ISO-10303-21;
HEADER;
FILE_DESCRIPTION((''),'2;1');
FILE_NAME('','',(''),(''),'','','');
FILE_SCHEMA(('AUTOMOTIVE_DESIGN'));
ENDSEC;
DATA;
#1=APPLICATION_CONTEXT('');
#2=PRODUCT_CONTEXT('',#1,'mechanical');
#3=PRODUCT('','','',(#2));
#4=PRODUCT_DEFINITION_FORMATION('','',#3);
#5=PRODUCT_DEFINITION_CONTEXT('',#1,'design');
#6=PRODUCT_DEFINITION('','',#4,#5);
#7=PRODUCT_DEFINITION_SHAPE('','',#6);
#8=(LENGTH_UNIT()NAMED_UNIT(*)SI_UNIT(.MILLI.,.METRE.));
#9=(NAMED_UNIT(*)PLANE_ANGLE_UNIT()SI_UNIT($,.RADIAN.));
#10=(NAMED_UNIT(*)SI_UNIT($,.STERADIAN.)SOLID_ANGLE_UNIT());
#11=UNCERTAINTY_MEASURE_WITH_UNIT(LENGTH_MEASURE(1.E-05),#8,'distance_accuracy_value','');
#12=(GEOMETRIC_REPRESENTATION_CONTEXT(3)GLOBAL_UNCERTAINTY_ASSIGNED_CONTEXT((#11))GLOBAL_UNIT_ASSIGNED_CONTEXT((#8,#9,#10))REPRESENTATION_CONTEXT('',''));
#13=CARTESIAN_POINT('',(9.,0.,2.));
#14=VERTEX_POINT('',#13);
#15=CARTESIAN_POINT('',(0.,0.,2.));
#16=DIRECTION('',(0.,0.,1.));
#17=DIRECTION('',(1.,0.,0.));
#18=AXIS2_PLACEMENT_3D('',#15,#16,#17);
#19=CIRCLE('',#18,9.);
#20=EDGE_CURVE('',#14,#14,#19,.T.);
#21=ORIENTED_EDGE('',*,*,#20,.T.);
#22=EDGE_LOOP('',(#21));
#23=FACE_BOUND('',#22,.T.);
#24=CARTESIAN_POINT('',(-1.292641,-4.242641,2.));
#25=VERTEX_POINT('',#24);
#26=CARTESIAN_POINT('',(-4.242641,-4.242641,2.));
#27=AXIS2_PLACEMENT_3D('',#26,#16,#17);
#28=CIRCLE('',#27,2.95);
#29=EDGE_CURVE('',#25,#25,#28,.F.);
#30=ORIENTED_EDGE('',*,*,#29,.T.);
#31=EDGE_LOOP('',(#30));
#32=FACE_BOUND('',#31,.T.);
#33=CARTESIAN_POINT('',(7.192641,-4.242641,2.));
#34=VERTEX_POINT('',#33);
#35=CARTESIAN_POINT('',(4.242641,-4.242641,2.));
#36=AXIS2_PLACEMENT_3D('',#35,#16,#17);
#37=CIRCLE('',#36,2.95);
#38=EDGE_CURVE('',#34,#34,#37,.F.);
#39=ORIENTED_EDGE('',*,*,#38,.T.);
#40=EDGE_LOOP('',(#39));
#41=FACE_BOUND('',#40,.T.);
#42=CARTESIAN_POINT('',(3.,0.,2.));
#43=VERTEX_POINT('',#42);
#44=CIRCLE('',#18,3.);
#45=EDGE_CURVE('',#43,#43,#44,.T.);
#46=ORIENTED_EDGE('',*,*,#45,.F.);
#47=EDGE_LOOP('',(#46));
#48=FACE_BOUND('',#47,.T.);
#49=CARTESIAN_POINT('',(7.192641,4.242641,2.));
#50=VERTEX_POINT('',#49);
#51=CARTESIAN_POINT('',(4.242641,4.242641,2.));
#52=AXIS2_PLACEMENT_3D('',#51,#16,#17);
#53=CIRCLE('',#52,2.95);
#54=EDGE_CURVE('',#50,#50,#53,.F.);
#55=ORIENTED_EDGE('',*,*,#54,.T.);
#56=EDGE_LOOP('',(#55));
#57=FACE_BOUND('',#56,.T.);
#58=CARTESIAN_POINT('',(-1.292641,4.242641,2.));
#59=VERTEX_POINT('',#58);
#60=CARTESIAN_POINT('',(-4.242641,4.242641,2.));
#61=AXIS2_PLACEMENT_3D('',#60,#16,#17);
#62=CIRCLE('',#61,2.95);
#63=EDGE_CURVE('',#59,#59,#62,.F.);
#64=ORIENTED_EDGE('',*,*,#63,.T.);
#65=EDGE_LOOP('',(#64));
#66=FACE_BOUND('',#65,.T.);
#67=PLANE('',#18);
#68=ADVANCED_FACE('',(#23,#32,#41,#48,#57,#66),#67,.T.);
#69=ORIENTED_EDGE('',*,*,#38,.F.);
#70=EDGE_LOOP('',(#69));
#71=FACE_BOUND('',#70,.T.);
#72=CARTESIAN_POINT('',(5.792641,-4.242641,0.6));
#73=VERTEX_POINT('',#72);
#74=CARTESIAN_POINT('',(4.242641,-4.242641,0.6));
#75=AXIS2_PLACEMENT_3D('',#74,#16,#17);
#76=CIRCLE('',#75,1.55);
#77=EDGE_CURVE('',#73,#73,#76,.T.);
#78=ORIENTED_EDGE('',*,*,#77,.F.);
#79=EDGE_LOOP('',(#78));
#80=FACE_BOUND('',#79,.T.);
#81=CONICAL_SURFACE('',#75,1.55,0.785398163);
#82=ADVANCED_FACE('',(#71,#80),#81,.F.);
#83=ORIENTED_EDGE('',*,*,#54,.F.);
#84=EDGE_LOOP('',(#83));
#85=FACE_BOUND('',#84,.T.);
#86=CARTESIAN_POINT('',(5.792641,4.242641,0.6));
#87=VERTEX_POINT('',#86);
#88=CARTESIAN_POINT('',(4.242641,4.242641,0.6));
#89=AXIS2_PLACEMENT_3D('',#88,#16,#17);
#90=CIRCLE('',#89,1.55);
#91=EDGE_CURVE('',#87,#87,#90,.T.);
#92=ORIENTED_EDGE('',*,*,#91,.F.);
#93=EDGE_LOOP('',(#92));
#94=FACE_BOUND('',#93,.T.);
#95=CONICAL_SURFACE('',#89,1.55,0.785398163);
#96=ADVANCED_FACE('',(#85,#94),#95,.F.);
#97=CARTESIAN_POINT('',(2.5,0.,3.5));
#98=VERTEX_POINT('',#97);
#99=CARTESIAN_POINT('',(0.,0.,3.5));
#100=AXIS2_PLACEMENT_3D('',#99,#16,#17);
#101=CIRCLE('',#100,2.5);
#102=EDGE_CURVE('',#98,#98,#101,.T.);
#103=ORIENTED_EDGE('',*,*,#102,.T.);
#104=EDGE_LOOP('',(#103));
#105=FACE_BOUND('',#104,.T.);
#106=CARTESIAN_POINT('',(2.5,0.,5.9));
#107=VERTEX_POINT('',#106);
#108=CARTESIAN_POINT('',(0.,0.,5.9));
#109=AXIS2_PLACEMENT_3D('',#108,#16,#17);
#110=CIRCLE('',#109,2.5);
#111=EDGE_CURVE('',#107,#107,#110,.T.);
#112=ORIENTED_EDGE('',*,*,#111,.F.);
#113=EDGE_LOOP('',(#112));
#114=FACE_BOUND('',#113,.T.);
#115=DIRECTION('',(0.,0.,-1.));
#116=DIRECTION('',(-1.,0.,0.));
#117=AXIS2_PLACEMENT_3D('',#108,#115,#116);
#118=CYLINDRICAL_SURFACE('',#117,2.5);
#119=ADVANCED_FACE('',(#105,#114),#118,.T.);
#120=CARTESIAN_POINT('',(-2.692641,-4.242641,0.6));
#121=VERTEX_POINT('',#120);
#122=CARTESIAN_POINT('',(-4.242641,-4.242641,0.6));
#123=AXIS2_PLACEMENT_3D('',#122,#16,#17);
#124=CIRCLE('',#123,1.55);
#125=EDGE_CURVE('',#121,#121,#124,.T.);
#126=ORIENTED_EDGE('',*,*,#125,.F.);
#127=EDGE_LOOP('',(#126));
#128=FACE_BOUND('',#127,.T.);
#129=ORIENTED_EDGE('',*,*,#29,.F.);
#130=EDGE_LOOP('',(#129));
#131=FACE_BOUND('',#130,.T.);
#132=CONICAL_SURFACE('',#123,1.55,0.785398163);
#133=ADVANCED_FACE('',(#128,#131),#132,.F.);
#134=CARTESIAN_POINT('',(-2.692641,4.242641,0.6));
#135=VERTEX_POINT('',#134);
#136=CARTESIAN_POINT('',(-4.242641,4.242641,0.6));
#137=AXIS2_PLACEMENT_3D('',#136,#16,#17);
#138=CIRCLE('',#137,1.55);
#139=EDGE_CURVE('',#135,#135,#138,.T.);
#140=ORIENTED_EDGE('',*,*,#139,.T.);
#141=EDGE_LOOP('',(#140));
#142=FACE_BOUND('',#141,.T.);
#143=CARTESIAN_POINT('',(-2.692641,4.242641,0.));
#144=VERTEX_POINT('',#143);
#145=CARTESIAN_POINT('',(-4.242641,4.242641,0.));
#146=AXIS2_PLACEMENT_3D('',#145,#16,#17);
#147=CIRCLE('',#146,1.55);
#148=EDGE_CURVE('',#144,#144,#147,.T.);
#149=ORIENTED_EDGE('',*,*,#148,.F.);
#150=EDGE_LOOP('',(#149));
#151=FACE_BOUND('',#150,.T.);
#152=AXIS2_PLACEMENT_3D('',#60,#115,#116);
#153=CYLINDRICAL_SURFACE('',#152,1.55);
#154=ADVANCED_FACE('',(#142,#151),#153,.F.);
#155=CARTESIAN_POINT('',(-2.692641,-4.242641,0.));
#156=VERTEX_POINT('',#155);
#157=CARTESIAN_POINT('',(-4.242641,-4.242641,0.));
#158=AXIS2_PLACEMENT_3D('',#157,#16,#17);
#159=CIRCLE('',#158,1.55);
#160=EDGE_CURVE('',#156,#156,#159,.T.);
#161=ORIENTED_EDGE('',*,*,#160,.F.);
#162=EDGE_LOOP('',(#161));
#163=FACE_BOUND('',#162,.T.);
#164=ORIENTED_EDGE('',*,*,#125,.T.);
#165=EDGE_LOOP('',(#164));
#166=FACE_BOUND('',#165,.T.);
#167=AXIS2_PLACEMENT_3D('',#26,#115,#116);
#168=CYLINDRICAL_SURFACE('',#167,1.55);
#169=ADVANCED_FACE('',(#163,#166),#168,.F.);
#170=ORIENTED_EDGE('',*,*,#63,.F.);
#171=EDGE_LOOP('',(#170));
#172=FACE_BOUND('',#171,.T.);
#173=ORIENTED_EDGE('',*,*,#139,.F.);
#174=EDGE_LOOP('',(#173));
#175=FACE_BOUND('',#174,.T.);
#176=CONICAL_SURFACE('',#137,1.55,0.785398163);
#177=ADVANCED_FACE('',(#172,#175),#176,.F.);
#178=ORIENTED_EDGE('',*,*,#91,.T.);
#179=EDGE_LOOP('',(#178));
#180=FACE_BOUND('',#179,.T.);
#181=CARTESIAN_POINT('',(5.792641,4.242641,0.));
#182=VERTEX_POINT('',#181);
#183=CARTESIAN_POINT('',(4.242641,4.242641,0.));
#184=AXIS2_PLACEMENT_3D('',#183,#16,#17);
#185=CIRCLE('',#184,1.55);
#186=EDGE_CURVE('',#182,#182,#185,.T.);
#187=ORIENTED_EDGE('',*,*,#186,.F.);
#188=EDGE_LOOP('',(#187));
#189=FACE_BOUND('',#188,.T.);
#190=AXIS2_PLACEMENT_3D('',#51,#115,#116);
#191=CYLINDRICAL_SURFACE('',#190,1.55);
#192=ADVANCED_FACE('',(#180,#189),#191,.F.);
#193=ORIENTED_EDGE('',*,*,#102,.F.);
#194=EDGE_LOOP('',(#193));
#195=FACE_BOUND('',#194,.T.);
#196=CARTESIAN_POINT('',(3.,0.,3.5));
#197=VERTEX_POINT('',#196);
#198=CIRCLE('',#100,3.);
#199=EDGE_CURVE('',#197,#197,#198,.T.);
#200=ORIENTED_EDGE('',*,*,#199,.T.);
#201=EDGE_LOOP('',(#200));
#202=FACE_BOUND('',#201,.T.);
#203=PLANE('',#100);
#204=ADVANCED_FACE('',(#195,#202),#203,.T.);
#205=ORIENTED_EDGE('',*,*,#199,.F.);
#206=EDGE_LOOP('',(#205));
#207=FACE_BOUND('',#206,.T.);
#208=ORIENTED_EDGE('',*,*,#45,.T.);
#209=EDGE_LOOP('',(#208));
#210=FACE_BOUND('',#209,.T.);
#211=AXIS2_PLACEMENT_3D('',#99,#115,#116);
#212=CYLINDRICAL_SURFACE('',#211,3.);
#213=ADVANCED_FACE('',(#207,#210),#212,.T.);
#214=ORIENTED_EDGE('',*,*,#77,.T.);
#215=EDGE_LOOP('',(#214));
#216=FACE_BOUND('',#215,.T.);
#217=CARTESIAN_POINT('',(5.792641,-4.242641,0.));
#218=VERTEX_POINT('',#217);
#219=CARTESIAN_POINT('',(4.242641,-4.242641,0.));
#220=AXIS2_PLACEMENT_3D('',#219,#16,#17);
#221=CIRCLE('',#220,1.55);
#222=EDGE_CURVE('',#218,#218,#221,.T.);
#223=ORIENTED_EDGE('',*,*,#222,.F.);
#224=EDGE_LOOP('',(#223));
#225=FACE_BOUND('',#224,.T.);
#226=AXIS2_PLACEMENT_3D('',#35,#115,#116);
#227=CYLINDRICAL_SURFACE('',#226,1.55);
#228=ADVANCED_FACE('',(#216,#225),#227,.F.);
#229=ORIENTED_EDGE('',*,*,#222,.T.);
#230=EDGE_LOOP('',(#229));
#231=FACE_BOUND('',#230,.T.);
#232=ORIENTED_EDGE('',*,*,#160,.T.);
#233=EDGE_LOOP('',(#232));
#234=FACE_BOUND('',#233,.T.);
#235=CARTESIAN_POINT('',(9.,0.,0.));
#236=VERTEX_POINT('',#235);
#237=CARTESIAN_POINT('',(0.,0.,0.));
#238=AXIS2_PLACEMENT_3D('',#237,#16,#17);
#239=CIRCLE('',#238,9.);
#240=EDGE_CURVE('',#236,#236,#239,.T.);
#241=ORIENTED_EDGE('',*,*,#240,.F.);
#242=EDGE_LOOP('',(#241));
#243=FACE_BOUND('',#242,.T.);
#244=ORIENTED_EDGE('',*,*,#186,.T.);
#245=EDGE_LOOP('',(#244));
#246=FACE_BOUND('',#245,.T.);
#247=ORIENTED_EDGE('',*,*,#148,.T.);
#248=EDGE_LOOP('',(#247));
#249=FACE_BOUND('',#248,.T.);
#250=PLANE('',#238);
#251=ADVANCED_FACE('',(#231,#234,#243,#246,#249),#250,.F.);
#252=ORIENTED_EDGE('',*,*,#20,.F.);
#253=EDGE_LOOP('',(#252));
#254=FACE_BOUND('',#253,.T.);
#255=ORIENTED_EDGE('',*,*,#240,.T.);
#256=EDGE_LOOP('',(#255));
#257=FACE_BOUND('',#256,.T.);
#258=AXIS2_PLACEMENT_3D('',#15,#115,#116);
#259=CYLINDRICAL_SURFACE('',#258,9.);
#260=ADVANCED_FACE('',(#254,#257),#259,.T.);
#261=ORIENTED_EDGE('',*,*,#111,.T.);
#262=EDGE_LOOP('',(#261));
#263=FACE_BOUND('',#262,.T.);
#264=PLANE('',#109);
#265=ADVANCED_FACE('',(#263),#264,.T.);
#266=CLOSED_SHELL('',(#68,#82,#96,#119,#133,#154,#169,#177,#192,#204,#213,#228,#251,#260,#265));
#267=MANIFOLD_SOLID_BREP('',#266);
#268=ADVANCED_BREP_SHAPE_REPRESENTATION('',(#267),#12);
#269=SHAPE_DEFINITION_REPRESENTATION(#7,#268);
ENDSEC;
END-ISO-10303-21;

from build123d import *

# Parameters (mm, degrees)
SKETCH1_R           = 9
SKETCH1_R_2         = 1.55
BOSS_EXTRUDE1_DEPTH = 2
SKETCH2_R           = 3
BOSS_EXTRUDE2_DEPTH = 1.5
SKETCH3_R           = 2.5
BOSS_EXTRUDE3_DEPTH = 2.4
CHAMFER1_SIZE       = 1.4


with BuildPart() as part:
    # Sketch1 → Boss-Extrude1 (new body)
    with BuildSketch(Plane(origin=(0, 0, 0), x_dir=(0, 1, 0), z_dir=(0, 0, 1))):
        Circle(SKETCH1_R)
        with Locations((-4.242640687, 4.242640687)):
            Circle(SKETCH1_R_2, mode=Mode.SUBTRACT)
        with Locations((4.242640687, 4.242640687)):
            Circle(SKETCH1_R_2, mode=Mode.SUBTRACT)
        with Locations((4.242640687, -4.242640687)):
            Circle(SKETCH1_R_2, mode=Mode.SUBTRACT)
        with Locations((-4.242640687, -4.242640687)):
            Circle(SKETCH1_R_2, mode=Mode.SUBTRACT)
    extrude(amount=BOSS_EXTRUDE1_DEPTH)

    # Sketch2 → Boss-Extrude2 (add)
    with BuildSketch(Plane.XY.offset(2)):
        Circle(SKETCH2_R)
    extrude(amount=BOSS_EXTRUDE2_DEPTH)

    # Sketch3 → Boss-Extrude3 (add)
    with BuildSketch(Plane.XY.offset(3.5)):
        Circle(SKETCH3_R)
    extrude(amount=BOSS_EXTRUDE3_DEPTH)

    # Chamfer1
    chamfer1_edges = [part.edges().sort_by_distance(p)[0] for p in [
        (-4.242640687, 2.692640687, 2),
        (-4.242640687, -5.792640687, 2),
        (4.242640687, -5.792640687, 2),
        (4.242640687, 2.692640687, 2),
    ]]
    chamfer(chamfer1_edges, length=CHAMFER1_SIZE)


solid = part.part
